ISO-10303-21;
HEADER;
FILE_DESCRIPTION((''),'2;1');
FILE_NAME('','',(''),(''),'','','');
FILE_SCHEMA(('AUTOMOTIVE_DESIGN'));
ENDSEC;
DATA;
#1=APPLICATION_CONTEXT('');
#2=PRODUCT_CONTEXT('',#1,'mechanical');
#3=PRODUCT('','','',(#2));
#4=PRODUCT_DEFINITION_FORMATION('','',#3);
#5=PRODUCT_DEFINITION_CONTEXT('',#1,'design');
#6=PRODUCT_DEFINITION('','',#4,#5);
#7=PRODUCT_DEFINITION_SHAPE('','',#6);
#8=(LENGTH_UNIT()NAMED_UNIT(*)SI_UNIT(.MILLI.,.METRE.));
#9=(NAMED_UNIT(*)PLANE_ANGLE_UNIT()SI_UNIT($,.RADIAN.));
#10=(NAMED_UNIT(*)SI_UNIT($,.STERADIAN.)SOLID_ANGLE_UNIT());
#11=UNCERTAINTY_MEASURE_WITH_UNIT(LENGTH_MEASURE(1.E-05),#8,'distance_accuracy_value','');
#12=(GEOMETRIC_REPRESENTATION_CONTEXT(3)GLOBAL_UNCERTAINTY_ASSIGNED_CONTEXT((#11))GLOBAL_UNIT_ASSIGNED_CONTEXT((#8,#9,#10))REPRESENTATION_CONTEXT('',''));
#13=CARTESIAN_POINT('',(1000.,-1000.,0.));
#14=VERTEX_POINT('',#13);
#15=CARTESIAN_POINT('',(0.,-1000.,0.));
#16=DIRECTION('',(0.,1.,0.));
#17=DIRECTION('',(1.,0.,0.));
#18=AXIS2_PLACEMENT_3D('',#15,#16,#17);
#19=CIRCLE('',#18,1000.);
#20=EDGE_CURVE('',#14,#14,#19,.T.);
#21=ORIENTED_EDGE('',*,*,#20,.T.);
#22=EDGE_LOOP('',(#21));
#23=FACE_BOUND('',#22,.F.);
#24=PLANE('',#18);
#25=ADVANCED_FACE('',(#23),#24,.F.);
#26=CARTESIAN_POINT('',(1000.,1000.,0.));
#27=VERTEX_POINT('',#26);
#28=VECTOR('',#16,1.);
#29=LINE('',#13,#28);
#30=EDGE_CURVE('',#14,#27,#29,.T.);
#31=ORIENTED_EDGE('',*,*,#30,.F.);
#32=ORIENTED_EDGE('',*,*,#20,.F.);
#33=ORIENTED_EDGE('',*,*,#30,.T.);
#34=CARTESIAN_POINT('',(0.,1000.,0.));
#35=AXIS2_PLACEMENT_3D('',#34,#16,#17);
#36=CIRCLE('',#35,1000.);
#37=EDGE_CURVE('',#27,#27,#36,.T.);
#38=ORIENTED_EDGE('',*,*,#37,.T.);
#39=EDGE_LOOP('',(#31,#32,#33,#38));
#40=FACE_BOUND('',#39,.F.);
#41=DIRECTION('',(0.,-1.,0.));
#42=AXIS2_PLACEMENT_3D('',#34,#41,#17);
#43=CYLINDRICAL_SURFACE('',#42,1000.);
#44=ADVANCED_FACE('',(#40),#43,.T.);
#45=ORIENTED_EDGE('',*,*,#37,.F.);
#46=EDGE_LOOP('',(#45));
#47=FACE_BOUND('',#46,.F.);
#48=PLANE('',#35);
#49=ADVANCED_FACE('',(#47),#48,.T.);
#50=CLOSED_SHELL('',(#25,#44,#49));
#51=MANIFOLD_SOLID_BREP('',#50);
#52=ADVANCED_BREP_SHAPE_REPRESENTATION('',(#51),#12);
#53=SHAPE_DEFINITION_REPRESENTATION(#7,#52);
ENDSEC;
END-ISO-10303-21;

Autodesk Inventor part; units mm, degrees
ref_plane "YZ Plane" through (0, 0, 0) normal (1, 0, 0) x (0, 1, 0)
ref_plane "XZ Plane" through (0, 0, 0) normal (0, 1, 0) x (-1, 0, 0)
ref_plane "XY Plane" through (0, 0, 0) normal (0, 0, 1) x (1, 0, 0)
sketch "Sketch1" plane through (0, 0, 0) normal (0, 0, 1) x (1, 0, 0)
  line L0 (0, 1000) -> (1000, 1000)
  line L1 (1000, 1000) -> (1000, -1000)
  line L2 (1000, -1000) -> (0, -1000)
  line L3 (0, -1000) -> (0, 1000)
  line L4 (-200, 0) -> (1200, 0) projected
  point P0 (0, 0)
  dimension "d0" = 2000
  dimension "d1" = 1000
  dimension "d2" = 1000
revolve "Revolution1" add sketch "Sketch1" angle 360 about axis through (0, -1000, 0) along (0, 1, 0)
properties part number "cargo"
